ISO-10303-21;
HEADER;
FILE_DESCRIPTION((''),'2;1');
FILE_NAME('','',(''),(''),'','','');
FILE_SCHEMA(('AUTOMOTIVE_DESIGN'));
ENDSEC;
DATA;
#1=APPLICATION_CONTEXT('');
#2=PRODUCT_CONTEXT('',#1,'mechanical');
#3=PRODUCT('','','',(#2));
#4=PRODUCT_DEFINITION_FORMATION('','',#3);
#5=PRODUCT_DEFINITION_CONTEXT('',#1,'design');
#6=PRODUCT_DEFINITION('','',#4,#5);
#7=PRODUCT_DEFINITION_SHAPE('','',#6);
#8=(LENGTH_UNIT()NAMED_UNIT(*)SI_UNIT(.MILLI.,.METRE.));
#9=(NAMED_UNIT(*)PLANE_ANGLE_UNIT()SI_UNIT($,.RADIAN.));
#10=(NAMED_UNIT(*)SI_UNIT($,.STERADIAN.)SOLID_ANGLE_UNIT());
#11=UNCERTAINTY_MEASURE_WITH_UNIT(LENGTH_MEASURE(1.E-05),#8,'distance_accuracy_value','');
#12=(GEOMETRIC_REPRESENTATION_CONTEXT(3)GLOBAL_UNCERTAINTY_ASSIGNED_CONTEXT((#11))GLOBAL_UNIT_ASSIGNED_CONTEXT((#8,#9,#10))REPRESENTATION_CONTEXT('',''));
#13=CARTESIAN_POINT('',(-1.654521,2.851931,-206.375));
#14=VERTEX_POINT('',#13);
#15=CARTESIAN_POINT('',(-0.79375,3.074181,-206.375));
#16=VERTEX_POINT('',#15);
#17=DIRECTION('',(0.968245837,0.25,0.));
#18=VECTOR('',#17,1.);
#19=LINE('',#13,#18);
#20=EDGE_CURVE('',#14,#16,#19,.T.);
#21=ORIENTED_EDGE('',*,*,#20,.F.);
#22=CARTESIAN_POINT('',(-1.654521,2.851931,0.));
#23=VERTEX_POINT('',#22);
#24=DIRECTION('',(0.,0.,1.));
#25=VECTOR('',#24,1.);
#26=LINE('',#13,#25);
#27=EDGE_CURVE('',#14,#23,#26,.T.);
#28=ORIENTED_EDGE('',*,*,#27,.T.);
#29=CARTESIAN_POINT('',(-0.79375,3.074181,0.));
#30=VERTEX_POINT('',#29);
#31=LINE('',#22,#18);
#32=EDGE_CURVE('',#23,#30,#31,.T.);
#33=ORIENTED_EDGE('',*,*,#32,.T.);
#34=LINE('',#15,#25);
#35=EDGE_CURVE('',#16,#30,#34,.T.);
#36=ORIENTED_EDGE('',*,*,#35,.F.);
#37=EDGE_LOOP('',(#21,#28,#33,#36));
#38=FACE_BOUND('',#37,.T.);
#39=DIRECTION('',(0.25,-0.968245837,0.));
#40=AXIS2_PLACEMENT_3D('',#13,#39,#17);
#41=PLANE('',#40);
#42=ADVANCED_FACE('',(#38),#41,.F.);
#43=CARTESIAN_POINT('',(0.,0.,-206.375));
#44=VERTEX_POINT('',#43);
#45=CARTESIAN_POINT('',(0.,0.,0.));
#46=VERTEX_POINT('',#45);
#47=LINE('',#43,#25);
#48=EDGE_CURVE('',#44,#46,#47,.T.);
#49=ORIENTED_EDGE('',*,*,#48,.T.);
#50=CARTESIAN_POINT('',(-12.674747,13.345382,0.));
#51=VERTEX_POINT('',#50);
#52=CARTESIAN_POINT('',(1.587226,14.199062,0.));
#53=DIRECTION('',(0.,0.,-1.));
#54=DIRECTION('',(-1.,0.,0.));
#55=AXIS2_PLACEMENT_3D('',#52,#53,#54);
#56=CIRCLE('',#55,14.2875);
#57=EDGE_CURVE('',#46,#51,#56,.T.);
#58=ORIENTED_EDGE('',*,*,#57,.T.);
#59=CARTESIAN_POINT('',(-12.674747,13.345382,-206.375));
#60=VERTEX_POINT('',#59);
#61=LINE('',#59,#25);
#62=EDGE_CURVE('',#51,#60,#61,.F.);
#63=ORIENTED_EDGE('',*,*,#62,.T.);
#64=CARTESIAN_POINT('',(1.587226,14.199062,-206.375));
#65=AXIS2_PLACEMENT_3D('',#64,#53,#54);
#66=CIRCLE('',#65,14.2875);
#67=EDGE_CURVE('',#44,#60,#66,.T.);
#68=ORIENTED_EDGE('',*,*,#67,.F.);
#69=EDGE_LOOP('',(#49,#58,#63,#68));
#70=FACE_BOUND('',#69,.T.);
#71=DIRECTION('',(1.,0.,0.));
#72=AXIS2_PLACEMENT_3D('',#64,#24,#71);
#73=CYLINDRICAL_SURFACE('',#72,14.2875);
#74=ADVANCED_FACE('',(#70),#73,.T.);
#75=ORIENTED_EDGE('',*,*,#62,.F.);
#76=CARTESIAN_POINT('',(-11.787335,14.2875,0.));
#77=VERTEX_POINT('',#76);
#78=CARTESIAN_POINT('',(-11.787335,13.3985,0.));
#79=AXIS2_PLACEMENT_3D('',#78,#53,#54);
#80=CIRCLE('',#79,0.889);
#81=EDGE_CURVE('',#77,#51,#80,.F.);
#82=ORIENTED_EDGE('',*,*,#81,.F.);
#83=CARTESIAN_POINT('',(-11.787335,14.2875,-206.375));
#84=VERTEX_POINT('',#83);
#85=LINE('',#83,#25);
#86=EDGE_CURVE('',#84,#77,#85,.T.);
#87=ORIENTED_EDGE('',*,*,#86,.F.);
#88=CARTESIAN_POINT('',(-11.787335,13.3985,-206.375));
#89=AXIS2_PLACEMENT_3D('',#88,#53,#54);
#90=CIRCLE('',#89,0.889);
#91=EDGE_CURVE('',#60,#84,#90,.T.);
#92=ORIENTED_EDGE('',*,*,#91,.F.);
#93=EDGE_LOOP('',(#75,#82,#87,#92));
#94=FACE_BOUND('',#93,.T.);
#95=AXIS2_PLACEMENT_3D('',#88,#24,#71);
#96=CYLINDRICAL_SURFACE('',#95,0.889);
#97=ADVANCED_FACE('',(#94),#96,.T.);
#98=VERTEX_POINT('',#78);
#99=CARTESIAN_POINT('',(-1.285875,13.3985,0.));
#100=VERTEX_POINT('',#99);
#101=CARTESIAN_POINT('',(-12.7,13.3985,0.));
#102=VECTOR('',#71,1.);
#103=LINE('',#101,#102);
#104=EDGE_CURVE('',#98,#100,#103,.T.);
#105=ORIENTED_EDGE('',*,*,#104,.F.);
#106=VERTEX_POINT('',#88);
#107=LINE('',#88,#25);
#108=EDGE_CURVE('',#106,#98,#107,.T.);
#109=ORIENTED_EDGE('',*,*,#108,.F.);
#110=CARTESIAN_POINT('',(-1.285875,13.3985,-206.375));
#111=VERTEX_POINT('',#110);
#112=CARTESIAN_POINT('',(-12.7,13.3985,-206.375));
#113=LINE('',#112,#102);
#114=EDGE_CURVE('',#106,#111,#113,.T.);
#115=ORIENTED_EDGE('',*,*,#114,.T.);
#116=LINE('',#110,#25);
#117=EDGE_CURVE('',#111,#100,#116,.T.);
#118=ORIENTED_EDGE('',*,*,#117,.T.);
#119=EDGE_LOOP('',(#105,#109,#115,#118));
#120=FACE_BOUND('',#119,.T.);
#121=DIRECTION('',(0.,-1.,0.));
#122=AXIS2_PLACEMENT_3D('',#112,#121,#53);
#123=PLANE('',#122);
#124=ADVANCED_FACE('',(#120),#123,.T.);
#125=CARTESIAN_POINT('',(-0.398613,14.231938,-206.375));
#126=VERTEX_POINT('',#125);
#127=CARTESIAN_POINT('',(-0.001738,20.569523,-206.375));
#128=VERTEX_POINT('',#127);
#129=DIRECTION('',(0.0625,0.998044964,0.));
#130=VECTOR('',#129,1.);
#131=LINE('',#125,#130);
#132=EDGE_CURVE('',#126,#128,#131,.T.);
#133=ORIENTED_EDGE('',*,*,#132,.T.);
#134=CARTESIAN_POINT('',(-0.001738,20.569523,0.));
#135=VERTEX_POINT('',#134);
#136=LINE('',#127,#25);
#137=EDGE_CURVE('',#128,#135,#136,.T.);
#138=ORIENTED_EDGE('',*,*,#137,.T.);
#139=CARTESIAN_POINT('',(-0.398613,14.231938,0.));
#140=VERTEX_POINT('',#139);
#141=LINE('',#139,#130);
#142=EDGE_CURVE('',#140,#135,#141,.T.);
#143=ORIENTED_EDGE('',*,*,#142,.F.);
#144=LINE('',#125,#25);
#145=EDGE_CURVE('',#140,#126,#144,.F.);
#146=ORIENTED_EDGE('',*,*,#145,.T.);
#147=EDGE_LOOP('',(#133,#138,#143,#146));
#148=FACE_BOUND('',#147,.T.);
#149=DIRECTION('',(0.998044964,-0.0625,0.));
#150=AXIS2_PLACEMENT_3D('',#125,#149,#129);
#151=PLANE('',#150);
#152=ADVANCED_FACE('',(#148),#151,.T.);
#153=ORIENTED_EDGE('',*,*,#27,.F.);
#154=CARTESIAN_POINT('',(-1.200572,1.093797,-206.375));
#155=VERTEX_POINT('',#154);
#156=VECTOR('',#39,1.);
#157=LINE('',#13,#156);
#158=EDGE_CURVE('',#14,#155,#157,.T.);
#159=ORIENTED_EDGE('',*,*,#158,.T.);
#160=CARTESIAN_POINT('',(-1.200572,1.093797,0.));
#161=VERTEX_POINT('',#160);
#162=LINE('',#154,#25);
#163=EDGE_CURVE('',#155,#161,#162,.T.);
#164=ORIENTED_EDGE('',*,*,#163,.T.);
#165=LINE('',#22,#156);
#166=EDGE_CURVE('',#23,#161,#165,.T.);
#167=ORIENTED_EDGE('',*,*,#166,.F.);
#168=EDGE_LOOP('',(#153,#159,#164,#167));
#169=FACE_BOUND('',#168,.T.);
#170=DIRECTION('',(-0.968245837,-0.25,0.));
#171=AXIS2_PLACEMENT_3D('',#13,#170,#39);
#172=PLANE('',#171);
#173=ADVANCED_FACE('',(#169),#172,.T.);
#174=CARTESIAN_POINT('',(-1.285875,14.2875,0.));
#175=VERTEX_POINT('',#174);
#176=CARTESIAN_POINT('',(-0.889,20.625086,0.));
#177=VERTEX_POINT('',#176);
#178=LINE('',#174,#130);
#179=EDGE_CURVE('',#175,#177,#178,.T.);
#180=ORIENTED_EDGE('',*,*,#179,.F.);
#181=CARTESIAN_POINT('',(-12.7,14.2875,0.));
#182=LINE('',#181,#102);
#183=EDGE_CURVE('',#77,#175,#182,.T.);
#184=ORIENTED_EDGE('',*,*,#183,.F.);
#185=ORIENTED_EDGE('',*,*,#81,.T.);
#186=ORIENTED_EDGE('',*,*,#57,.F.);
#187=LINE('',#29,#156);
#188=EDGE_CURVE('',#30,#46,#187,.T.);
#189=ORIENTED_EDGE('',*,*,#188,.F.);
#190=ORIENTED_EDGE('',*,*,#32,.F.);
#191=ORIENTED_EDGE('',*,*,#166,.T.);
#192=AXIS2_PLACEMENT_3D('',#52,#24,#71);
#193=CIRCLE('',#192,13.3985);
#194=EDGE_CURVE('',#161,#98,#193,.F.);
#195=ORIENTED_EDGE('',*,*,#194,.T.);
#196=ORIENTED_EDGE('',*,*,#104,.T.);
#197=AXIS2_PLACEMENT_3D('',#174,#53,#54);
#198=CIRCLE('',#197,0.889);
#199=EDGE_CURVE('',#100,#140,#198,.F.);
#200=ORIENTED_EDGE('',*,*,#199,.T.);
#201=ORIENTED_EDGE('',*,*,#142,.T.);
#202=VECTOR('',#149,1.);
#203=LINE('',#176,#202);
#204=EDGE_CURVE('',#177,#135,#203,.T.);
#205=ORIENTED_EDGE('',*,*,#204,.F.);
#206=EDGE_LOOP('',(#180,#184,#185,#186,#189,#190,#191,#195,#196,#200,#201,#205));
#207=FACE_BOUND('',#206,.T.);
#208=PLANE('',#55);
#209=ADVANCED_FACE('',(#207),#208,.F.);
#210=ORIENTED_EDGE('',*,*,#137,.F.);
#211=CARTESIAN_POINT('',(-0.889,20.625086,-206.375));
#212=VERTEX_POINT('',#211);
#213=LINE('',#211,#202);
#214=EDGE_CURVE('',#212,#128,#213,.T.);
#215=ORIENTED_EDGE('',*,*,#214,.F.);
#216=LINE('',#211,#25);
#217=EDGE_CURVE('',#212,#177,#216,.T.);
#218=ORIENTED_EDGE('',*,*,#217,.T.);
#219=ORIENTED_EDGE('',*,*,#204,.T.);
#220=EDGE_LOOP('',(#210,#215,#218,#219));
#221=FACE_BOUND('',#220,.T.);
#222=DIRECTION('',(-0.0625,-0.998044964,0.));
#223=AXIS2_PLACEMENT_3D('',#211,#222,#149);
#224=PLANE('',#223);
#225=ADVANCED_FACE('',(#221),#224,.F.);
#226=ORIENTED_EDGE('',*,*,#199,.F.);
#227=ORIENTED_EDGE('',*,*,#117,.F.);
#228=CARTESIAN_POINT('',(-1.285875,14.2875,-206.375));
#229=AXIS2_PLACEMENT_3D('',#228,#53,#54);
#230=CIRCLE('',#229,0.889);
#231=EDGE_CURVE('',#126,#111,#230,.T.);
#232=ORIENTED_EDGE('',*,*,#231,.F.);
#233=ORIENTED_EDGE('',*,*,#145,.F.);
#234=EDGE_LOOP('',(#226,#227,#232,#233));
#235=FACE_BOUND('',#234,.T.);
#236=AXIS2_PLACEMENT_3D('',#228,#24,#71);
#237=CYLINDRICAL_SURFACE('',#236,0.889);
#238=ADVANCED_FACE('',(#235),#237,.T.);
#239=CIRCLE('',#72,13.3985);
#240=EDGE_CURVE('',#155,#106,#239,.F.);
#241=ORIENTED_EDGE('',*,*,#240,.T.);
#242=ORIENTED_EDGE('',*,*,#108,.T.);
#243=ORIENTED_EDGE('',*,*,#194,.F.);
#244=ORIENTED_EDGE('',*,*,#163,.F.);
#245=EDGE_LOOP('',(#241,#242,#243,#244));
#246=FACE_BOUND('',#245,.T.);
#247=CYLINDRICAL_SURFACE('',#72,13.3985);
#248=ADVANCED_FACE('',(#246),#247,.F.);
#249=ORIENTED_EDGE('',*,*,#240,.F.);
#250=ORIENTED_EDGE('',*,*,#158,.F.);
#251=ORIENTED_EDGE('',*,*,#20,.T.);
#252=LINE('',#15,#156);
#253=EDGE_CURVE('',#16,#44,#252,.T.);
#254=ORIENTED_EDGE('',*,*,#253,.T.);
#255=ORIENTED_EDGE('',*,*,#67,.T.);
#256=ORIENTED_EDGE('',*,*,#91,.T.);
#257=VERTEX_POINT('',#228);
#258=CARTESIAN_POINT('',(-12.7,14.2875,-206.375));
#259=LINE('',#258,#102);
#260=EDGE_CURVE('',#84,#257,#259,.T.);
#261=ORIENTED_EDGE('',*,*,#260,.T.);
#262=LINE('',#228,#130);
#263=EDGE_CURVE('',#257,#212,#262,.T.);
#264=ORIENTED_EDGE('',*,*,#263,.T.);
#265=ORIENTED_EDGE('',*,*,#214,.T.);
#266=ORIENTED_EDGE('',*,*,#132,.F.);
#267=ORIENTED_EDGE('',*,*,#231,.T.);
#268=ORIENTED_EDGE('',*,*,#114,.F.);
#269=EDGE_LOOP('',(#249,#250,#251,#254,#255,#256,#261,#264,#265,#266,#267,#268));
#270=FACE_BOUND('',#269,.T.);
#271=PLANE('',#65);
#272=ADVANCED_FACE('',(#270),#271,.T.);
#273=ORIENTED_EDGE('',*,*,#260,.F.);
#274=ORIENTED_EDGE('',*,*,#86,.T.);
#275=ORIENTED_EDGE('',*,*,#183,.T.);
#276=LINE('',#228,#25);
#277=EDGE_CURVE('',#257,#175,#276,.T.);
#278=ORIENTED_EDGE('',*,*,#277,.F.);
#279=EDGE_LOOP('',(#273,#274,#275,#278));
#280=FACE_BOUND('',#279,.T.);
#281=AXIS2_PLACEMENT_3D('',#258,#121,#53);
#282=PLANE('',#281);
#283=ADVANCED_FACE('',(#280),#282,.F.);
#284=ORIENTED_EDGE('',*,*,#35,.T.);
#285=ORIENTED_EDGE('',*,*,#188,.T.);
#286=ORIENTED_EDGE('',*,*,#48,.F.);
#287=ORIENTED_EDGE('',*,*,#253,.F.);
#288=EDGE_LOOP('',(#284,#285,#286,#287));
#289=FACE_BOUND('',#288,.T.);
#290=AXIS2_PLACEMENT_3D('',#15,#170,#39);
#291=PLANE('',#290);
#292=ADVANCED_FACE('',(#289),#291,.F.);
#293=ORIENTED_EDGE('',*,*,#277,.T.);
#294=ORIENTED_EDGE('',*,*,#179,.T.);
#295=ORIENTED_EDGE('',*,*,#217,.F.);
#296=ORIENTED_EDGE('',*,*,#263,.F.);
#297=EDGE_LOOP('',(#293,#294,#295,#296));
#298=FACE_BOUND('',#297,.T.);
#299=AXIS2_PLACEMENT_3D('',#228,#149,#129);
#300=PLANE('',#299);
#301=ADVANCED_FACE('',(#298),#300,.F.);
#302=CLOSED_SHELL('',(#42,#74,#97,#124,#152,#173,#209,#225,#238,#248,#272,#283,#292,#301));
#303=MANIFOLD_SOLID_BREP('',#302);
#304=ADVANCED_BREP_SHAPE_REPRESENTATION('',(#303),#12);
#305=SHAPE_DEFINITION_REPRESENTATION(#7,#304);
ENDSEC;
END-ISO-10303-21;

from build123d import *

# Parameters (mm, degrees)
EXTRUDE_THIN1_DEPTH = 206.375
FILLET1_R           = 0.889


with BuildPart() as part:
    # Sketch1 → Extrude-Thin1 (new body)
    with BuildSketch(Plane.XY):
        with BuildLine():
            Line((-0.79375, 3.074180531), (0, 0))
            ThreePointArc((0, 0), (-9.091384352, 4.706963909), (-12.7, 14.2875))
            Line((-12.7, 14.2875), (-1.285875, 14.2875))
            Line((-1.285875, 14.2875), (-0.889, 20.625085521))
            Line((-0.889, 20.625085521), (-0.001738027, 20.569523021))
            Line((-0.001738027, 20.569523021), (-0.450804908, 13.3985))
            Line((-0.450804908, 13.3985), (-11.787335474, 13.3985))
            ThreePointArc((-11.787335474, 13.3985), (-8.569392416, 5.460475486), (-1.20057239, 1.093796873))
            Line((-1.20057239, 1.093796873), (-1.654520549, 2.851930531))
            Line((-1.654520549, 2.851930531), (-0.79375, 3.074180531))
        make_face()
    extrude(amount=-EXTRUDE_THIN1_DEPTH)

    # Fillet1
    fillet1_edges = [part.edges().sort_by_distance(p)[0] for p in [
        (-0.450804908, 13.3985, -103.1875),
        (-12.7, 14.2875, -103.1875),
    ]]
    fillet(fillet1_edges, radius=FILLET1_R)


solid = part.part
